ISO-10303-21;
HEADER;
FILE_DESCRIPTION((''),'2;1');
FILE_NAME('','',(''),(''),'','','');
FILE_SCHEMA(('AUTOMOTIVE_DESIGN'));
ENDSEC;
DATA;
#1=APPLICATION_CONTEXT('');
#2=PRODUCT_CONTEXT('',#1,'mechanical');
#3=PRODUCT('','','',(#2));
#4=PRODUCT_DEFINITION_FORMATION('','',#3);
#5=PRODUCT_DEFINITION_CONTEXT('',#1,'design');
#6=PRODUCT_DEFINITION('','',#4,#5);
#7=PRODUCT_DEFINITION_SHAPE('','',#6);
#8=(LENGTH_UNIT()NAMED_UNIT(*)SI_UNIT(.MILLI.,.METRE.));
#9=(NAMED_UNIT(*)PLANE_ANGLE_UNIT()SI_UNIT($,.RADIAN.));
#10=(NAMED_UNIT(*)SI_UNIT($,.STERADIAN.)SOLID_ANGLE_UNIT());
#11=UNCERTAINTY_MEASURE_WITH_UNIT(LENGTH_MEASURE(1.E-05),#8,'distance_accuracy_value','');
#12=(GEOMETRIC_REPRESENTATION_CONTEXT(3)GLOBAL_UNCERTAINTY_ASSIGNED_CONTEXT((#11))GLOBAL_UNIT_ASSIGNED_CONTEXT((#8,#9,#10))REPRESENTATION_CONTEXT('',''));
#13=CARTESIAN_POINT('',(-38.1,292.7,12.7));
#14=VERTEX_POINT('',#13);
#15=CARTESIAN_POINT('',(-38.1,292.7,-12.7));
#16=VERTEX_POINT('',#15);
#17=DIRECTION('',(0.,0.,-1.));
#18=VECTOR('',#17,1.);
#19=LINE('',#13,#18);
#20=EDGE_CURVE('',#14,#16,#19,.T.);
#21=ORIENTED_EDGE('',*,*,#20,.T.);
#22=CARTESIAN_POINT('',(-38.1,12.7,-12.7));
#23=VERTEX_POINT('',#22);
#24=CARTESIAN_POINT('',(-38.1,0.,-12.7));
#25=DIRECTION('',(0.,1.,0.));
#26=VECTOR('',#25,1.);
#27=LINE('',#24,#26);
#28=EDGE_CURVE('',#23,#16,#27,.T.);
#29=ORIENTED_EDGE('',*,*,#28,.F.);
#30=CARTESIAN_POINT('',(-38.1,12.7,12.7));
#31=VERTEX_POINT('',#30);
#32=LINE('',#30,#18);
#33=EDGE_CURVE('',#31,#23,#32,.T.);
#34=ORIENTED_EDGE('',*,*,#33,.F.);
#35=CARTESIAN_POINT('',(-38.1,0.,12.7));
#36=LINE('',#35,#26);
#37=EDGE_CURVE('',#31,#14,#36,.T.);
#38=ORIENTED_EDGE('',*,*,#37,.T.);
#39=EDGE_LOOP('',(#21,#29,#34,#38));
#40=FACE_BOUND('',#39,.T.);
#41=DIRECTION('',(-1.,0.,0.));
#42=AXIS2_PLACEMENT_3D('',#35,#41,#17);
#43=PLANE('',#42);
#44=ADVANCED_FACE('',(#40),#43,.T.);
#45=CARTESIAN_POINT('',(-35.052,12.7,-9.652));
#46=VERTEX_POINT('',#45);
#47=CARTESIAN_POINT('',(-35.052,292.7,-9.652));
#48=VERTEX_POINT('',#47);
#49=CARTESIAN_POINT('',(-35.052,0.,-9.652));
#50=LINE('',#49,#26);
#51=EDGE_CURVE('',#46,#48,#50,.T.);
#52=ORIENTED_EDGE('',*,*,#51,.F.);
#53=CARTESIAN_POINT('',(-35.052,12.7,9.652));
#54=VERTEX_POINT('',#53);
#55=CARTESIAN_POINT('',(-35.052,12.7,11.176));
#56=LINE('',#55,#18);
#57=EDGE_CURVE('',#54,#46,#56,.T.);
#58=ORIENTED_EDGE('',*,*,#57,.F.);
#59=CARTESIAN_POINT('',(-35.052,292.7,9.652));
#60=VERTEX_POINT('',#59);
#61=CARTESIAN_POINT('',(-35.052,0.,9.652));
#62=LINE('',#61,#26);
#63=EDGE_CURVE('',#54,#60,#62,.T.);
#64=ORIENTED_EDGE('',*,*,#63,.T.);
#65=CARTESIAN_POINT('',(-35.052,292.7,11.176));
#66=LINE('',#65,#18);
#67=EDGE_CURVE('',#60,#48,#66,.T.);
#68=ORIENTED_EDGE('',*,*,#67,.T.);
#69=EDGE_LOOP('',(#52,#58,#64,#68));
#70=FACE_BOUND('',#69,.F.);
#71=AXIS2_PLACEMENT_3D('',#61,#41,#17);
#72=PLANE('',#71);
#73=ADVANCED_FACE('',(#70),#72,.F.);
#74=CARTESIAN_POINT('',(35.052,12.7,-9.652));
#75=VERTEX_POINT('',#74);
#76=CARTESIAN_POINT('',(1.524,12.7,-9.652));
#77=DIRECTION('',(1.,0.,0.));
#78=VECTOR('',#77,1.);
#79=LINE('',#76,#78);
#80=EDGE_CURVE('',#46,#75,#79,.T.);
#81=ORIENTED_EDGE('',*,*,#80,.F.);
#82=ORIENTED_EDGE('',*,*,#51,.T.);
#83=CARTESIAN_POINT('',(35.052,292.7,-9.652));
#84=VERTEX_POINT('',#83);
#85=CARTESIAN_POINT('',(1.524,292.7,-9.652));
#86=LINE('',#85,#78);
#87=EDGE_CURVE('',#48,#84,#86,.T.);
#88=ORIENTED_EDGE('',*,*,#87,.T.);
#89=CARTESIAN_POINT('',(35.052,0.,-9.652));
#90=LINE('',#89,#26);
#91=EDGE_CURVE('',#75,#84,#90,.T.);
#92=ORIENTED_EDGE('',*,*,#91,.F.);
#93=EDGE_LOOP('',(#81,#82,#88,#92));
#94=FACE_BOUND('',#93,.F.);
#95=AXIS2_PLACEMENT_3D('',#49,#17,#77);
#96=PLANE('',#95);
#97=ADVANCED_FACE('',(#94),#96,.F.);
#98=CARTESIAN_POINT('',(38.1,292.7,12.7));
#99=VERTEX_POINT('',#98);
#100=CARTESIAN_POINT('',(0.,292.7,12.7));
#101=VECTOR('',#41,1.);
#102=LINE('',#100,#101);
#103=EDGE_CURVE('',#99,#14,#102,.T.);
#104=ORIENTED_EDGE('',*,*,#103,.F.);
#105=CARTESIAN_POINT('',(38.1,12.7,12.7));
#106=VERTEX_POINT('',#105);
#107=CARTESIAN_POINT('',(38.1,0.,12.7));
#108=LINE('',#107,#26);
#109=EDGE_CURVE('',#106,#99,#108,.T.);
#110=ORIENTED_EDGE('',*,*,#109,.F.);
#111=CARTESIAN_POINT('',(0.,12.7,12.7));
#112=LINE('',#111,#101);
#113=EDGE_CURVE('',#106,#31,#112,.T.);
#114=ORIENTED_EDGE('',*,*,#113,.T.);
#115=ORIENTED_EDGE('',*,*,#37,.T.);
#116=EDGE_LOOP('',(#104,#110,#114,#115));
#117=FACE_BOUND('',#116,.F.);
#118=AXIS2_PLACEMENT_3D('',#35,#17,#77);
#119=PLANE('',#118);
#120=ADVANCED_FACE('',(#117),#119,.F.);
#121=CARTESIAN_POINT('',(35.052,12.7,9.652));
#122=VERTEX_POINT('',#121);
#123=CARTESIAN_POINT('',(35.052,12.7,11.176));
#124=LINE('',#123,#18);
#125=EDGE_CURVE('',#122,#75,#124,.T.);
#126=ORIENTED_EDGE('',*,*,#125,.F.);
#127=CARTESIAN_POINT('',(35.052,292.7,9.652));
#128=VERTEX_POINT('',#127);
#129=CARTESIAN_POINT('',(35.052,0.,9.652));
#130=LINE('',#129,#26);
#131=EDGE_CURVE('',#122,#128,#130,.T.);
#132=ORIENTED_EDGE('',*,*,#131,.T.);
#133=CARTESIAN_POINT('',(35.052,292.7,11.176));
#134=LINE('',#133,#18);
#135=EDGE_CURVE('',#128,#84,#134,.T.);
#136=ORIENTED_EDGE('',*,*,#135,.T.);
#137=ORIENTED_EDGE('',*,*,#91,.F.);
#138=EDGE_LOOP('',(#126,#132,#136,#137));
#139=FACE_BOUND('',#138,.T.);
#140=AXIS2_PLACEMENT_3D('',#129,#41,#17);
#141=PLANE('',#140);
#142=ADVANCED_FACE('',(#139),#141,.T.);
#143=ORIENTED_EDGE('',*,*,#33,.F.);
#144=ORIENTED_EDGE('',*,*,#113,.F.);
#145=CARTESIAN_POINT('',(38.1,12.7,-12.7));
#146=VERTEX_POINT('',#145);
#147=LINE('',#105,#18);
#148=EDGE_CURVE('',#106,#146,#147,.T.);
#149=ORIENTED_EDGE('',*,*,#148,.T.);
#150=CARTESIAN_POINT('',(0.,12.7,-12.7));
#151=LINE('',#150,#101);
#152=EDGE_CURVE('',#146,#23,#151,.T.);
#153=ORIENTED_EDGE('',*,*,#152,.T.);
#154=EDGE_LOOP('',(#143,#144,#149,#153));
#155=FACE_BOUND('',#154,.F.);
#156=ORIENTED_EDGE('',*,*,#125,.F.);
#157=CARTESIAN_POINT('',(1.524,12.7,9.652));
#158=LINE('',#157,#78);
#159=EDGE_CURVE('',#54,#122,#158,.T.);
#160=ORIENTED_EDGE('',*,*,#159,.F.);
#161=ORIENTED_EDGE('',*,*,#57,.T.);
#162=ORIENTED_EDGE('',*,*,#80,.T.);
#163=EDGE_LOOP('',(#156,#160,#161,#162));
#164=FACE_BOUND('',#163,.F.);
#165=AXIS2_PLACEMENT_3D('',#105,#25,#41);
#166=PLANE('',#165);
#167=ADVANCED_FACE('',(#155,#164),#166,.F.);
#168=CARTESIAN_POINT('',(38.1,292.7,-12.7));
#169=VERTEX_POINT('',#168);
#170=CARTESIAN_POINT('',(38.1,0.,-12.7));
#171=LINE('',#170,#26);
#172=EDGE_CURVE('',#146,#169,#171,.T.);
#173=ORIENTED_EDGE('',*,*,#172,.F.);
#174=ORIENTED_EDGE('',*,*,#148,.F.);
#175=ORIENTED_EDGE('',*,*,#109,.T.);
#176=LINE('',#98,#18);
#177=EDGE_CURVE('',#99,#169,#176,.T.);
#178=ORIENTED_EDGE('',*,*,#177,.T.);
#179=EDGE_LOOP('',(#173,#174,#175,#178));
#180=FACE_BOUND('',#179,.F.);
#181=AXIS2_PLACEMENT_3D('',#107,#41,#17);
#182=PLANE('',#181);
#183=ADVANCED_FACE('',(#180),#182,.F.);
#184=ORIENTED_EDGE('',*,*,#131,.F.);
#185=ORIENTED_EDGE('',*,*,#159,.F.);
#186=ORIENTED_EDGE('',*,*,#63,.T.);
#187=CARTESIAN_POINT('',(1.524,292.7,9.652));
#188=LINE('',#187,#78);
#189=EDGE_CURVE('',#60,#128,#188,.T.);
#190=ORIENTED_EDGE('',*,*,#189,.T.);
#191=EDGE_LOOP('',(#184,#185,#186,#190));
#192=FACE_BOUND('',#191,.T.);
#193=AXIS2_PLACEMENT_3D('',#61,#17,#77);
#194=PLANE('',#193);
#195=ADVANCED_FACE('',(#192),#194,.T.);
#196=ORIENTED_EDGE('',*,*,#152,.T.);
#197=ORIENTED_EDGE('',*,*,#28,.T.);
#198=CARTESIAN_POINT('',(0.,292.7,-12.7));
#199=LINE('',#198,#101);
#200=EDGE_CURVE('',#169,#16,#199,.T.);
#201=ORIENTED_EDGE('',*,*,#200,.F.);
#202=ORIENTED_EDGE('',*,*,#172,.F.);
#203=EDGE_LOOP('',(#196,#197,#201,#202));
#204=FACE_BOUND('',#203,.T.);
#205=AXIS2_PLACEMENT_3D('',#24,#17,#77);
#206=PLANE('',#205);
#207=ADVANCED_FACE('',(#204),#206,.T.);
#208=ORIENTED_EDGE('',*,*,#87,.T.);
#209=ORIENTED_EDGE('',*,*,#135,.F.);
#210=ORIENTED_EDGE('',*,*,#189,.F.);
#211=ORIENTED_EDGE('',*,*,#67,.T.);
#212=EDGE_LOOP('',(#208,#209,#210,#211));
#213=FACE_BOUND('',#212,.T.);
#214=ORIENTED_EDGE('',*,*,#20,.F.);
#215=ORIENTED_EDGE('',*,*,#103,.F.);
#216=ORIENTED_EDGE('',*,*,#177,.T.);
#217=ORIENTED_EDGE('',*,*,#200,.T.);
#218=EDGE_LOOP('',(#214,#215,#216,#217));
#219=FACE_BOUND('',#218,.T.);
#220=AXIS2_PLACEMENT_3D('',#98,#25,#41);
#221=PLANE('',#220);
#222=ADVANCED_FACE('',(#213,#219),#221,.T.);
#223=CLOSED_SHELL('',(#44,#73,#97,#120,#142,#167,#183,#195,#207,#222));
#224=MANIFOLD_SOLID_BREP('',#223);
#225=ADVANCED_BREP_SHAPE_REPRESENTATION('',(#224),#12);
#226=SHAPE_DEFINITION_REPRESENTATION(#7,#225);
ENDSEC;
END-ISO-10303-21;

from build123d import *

# Parameters (mm, degrees)
SKETCH1_W           = 76.2
SKETCH1_H           = 25.4
SKETCH1_W_2         = 70.104
SKETCH1_H_2         = 19.304
BOSS_EXTRUDE1_DEPTH = 305.4
CUT_EXTRUDE1_START  = -12.7
SKETCH3_W           = 76.2
SKETCH3_H           = 25.4
CUT_EXTRUDE1_DEPTH  = 25.4
CUT_EXTRUDE2_START  = -12.7
SKETCH4_W           = 76.2
SKETCH4_H           = 25.4
CUT_EXTRUDE2_DEPTH  = 25.4


with BuildPart() as part:
    # Sketch1 → Boss-Extrude1 (new body)
    with BuildSketch(Plane(origin=(0, 0, 0), x_dir=(1, 0, 0), z_dir=(0, 1, 0))):
        Rectangle(SKETCH1_W, SKETCH1_H)
        Rectangle(SKETCH1_W_2, SKETCH1_H_2, mode=Mode.SUBTRACT)
    extrude(amount=BOSS_EXTRUDE1_DEPTH)

    # Sketch3 → Cut-Extrude1 (cut)
    with BuildSketch(Plane(origin=(0, 305.4, 0), x_dir=(-1, 0, 0), z_dir=(0, 0, -1)).offset(CUT_EXTRUDE1_START)):
        Rectangle(SKETCH3_W, SKETCH3_H)
    extrude(amount=CUT_EXTRUDE1_DEPTH, mode=Mode.SUBTRACT)

    # Sketch4 → Cut-Extrude2 (cut)
    with BuildSketch(Plane(origin=(0, 0, 0), x_dir=(-1, 0, 0), z_dir=(0, 0, -1)).offset(CUT_EXTRUDE2_START)):
        Rectangle(SKETCH4_W, SKETCH4_H)
    extrude(amount=CUT_EXTRUDE2_DEPTH, mode=Mode.SUBTRACT)


solid = part.part
